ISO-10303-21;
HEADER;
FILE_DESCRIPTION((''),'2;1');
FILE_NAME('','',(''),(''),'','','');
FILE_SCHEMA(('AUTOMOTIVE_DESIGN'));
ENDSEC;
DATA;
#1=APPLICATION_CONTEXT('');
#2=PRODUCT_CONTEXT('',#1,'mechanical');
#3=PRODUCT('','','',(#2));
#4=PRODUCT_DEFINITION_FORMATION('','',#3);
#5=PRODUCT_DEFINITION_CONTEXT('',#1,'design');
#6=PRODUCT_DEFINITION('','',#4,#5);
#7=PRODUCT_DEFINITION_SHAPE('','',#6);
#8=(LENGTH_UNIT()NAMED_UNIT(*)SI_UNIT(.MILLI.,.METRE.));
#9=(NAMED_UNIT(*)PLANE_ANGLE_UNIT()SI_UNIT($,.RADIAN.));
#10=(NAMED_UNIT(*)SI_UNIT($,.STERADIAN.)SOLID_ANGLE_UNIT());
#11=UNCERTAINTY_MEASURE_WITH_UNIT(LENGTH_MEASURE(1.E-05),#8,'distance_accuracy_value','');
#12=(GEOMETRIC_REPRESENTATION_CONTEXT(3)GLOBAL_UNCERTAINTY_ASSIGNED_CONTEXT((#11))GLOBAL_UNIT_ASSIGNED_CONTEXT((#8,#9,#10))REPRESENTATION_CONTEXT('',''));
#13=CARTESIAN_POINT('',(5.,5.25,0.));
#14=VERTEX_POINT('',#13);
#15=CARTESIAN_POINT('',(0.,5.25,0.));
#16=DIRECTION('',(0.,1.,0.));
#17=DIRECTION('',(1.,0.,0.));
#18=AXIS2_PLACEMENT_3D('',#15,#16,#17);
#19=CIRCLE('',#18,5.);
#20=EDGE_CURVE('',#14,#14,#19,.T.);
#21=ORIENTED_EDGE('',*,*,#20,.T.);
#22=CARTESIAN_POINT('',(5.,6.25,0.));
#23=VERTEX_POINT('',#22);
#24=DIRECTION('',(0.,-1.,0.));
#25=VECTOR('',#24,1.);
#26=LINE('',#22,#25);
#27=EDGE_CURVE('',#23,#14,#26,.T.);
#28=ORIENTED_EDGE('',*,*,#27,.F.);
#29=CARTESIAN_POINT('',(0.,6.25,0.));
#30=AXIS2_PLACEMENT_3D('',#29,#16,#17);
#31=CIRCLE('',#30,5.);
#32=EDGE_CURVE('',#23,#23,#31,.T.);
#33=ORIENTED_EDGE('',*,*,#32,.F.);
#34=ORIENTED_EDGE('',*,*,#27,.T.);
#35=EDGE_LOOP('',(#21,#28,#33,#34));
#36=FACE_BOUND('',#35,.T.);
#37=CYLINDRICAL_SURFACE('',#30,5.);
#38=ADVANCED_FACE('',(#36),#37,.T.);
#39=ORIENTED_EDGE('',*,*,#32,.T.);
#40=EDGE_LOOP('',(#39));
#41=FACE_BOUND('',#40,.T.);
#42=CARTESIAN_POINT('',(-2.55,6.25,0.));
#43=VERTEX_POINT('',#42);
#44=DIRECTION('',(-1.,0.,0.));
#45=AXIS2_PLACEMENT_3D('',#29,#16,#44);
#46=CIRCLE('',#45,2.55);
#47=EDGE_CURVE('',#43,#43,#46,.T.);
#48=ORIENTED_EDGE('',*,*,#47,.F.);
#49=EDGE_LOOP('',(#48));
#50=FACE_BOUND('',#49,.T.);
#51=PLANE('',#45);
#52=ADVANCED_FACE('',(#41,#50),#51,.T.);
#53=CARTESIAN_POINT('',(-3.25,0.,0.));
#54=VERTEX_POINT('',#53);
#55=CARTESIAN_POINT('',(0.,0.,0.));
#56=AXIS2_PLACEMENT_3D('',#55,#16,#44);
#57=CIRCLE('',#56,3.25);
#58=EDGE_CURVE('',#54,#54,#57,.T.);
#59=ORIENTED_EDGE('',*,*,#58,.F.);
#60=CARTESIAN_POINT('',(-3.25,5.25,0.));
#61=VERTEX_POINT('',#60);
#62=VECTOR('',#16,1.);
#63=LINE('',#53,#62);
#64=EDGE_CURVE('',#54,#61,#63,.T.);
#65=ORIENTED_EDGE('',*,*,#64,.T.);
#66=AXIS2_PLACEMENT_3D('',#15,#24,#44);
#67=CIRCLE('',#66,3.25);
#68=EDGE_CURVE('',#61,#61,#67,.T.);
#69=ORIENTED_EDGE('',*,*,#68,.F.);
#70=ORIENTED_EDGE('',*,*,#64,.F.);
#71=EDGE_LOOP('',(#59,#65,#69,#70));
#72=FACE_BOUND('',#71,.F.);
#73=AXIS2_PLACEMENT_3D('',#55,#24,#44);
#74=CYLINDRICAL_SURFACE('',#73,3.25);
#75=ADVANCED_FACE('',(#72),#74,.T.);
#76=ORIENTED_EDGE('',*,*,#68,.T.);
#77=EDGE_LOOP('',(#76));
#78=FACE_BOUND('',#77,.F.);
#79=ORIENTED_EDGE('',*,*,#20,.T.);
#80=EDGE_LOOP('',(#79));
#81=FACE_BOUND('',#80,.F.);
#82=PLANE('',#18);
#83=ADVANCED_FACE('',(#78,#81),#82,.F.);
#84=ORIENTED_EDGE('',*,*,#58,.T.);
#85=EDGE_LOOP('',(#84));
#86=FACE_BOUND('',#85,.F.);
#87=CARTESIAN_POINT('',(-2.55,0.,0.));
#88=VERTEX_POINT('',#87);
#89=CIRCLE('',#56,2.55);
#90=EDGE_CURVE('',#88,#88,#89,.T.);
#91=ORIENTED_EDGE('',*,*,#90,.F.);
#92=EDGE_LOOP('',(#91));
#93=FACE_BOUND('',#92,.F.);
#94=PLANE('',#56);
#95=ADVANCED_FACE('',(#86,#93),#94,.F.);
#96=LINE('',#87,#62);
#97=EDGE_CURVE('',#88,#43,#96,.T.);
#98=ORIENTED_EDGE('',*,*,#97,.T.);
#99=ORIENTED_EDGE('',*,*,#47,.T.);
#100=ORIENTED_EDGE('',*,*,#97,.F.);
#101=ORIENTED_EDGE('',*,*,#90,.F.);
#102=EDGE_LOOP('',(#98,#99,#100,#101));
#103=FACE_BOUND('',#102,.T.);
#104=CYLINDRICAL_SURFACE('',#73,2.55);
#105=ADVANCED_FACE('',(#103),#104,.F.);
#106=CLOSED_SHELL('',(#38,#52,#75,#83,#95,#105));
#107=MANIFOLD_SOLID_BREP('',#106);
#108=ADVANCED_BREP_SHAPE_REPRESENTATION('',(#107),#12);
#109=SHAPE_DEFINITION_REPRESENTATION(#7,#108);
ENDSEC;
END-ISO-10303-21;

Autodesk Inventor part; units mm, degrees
ref_plane "YZ Plane" through (0, 0, 0) normal (1, 0, 0) x (0, 1, 0)
ref_plane "XZ Plane" through (0, 0, 0) normal (0, 1, 0) x (-1, 0, 0)
ref_plane "XY Plane" through (0, 0, 0) normal (0, 0, 1) x (1, 0, 0)
sketch "Boceto1" plane through (0, 0, 0) normal (0, 1, 0) x (-1, 0, 0)
  circle A0 centre (0, 0) radius 2.55
  circle A1 centre (0, 0) radius 3.25
  dimension "d0" = 5.1
  dimension "d1" = 6.5
extrude "Extrusión1" add sketch "Boceto1" along normal blind 6.25
sketch "Boceto2" plane through (0, 6.25, 0) normal (0, 1, 0) x (1, 0, 0)
  circle A0 centre (0, 0) radius 5
  circle A1 centre (0, 0) radius 3.25 projected
  circle A2 centre (0, 0) radius 3.25 projected
  dimension "d4" = 10
extrude "Extrusión2" add sketch "Boceto2" against normal blind 1
properties part number "Pieza LED"
